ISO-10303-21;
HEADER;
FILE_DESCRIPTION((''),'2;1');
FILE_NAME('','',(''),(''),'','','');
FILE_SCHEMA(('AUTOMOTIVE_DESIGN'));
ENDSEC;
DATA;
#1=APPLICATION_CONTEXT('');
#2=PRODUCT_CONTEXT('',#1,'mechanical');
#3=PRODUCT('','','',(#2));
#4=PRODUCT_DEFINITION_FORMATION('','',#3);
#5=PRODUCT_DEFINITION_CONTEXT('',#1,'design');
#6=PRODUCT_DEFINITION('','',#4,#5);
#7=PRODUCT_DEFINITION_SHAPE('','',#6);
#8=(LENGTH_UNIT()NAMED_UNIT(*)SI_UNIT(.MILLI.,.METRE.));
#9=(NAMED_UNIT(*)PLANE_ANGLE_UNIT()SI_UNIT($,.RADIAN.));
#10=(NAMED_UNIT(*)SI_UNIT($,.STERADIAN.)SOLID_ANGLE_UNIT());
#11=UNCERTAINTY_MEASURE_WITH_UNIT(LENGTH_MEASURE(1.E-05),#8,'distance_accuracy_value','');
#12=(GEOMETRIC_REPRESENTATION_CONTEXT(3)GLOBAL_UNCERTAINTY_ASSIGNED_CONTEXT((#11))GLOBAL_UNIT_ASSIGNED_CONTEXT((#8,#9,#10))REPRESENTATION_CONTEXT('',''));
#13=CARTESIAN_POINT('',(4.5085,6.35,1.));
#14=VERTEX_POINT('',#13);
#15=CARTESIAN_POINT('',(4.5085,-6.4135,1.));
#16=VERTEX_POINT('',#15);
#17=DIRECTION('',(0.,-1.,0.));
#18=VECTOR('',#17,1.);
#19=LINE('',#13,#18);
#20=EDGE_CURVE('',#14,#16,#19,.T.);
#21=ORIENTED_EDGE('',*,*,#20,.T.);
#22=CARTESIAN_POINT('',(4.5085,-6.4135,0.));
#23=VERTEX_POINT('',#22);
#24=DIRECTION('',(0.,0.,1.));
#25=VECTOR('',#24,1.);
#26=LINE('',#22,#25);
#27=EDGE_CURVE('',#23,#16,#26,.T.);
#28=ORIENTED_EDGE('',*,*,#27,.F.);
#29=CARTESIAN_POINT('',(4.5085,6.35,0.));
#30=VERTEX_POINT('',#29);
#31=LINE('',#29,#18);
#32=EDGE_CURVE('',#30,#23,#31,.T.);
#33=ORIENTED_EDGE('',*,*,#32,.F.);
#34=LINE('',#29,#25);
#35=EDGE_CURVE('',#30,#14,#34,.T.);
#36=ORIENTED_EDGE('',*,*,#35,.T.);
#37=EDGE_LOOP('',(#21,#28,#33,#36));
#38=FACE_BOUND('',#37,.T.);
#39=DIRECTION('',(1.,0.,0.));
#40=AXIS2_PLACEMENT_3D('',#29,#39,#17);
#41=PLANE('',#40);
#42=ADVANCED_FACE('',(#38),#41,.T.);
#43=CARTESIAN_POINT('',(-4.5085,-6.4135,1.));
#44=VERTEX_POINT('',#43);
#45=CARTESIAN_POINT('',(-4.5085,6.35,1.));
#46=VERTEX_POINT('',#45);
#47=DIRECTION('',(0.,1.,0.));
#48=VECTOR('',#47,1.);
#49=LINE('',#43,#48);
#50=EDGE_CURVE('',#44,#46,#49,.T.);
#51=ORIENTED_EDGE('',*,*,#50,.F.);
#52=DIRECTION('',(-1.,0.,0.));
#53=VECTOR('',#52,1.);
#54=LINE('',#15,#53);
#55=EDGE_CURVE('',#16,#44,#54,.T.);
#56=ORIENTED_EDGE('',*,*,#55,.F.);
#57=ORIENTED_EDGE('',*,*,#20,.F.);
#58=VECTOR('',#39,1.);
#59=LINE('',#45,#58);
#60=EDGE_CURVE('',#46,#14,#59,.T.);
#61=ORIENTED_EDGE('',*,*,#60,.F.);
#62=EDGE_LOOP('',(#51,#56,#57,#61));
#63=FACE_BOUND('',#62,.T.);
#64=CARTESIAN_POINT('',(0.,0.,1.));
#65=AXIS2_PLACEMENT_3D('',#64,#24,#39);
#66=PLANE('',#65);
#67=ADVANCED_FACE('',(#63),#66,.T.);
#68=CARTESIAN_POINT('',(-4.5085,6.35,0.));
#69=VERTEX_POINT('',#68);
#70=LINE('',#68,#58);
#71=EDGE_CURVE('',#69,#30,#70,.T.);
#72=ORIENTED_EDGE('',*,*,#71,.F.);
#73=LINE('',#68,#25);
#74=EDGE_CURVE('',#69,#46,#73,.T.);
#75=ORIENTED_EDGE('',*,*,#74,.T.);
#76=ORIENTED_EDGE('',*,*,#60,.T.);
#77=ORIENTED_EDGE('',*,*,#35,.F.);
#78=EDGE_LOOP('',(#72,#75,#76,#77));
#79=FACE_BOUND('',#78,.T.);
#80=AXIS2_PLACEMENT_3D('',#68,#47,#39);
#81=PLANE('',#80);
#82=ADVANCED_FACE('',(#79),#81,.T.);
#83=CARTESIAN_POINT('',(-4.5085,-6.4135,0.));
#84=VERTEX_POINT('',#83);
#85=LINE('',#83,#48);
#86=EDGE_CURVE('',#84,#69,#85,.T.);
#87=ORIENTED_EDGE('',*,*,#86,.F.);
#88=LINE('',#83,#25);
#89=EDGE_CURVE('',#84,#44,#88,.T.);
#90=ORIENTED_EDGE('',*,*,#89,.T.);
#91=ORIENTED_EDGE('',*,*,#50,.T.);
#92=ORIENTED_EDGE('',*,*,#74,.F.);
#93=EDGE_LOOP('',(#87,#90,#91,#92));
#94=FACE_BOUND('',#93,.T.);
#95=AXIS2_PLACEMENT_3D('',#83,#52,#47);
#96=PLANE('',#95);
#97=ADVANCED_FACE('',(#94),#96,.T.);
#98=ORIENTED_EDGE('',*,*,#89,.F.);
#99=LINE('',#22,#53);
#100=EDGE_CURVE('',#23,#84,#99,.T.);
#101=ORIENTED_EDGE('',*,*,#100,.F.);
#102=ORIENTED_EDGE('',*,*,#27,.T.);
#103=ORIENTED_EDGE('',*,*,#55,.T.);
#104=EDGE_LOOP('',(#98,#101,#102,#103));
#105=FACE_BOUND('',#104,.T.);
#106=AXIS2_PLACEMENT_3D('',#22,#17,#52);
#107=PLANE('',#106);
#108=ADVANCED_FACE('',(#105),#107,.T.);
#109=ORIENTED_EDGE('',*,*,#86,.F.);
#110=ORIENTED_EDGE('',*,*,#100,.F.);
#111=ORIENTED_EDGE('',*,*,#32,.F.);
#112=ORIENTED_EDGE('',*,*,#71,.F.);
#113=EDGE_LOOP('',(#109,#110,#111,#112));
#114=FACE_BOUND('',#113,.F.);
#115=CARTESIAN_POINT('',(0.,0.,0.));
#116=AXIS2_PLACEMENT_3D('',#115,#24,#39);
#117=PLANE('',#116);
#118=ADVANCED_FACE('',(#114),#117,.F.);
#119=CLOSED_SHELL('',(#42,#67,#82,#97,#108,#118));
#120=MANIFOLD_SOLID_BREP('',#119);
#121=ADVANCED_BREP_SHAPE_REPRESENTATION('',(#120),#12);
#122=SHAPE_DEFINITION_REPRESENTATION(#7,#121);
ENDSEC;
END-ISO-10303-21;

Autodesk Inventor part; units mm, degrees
ref_plane "YZ Plane" through (0, 0, 0) normal (1, 0, 0) x (0, 1, 0)
ref_plane "XZ Plane" through (0, 0, 0) normal (0, 1, 0) x (-1, 0, 0)
ref_plane "XY Plane" through (0, 0, 0) normal (0, 0, 1) x (1, 0, 0)
sketch "REG-AMS1117-3P, REG-AMS1117-3P-3_3V_25" plane through (0, 0, 0) normal (0, 0, 1) x (1, 0, 0)
  line L0 (-4.5085, 6.35) -> (4.5085, 6.35)
  line L1 (4.5085, 6.35) -> (4.5085, -6.4135)
  line L2 (4.5085, -6.4135) -> (-4.5085, -6.4135)
  line L3 (-4.5085, -6.4135) -> (-4.5085, 6.35)
extrude "Extrusion1" add sketch "REG-AMS1117-3P, REG-AMS1117-3P-3_3V_25" along normal blind 1
properties part number "REG-AMS1117-3P-3_3V"
